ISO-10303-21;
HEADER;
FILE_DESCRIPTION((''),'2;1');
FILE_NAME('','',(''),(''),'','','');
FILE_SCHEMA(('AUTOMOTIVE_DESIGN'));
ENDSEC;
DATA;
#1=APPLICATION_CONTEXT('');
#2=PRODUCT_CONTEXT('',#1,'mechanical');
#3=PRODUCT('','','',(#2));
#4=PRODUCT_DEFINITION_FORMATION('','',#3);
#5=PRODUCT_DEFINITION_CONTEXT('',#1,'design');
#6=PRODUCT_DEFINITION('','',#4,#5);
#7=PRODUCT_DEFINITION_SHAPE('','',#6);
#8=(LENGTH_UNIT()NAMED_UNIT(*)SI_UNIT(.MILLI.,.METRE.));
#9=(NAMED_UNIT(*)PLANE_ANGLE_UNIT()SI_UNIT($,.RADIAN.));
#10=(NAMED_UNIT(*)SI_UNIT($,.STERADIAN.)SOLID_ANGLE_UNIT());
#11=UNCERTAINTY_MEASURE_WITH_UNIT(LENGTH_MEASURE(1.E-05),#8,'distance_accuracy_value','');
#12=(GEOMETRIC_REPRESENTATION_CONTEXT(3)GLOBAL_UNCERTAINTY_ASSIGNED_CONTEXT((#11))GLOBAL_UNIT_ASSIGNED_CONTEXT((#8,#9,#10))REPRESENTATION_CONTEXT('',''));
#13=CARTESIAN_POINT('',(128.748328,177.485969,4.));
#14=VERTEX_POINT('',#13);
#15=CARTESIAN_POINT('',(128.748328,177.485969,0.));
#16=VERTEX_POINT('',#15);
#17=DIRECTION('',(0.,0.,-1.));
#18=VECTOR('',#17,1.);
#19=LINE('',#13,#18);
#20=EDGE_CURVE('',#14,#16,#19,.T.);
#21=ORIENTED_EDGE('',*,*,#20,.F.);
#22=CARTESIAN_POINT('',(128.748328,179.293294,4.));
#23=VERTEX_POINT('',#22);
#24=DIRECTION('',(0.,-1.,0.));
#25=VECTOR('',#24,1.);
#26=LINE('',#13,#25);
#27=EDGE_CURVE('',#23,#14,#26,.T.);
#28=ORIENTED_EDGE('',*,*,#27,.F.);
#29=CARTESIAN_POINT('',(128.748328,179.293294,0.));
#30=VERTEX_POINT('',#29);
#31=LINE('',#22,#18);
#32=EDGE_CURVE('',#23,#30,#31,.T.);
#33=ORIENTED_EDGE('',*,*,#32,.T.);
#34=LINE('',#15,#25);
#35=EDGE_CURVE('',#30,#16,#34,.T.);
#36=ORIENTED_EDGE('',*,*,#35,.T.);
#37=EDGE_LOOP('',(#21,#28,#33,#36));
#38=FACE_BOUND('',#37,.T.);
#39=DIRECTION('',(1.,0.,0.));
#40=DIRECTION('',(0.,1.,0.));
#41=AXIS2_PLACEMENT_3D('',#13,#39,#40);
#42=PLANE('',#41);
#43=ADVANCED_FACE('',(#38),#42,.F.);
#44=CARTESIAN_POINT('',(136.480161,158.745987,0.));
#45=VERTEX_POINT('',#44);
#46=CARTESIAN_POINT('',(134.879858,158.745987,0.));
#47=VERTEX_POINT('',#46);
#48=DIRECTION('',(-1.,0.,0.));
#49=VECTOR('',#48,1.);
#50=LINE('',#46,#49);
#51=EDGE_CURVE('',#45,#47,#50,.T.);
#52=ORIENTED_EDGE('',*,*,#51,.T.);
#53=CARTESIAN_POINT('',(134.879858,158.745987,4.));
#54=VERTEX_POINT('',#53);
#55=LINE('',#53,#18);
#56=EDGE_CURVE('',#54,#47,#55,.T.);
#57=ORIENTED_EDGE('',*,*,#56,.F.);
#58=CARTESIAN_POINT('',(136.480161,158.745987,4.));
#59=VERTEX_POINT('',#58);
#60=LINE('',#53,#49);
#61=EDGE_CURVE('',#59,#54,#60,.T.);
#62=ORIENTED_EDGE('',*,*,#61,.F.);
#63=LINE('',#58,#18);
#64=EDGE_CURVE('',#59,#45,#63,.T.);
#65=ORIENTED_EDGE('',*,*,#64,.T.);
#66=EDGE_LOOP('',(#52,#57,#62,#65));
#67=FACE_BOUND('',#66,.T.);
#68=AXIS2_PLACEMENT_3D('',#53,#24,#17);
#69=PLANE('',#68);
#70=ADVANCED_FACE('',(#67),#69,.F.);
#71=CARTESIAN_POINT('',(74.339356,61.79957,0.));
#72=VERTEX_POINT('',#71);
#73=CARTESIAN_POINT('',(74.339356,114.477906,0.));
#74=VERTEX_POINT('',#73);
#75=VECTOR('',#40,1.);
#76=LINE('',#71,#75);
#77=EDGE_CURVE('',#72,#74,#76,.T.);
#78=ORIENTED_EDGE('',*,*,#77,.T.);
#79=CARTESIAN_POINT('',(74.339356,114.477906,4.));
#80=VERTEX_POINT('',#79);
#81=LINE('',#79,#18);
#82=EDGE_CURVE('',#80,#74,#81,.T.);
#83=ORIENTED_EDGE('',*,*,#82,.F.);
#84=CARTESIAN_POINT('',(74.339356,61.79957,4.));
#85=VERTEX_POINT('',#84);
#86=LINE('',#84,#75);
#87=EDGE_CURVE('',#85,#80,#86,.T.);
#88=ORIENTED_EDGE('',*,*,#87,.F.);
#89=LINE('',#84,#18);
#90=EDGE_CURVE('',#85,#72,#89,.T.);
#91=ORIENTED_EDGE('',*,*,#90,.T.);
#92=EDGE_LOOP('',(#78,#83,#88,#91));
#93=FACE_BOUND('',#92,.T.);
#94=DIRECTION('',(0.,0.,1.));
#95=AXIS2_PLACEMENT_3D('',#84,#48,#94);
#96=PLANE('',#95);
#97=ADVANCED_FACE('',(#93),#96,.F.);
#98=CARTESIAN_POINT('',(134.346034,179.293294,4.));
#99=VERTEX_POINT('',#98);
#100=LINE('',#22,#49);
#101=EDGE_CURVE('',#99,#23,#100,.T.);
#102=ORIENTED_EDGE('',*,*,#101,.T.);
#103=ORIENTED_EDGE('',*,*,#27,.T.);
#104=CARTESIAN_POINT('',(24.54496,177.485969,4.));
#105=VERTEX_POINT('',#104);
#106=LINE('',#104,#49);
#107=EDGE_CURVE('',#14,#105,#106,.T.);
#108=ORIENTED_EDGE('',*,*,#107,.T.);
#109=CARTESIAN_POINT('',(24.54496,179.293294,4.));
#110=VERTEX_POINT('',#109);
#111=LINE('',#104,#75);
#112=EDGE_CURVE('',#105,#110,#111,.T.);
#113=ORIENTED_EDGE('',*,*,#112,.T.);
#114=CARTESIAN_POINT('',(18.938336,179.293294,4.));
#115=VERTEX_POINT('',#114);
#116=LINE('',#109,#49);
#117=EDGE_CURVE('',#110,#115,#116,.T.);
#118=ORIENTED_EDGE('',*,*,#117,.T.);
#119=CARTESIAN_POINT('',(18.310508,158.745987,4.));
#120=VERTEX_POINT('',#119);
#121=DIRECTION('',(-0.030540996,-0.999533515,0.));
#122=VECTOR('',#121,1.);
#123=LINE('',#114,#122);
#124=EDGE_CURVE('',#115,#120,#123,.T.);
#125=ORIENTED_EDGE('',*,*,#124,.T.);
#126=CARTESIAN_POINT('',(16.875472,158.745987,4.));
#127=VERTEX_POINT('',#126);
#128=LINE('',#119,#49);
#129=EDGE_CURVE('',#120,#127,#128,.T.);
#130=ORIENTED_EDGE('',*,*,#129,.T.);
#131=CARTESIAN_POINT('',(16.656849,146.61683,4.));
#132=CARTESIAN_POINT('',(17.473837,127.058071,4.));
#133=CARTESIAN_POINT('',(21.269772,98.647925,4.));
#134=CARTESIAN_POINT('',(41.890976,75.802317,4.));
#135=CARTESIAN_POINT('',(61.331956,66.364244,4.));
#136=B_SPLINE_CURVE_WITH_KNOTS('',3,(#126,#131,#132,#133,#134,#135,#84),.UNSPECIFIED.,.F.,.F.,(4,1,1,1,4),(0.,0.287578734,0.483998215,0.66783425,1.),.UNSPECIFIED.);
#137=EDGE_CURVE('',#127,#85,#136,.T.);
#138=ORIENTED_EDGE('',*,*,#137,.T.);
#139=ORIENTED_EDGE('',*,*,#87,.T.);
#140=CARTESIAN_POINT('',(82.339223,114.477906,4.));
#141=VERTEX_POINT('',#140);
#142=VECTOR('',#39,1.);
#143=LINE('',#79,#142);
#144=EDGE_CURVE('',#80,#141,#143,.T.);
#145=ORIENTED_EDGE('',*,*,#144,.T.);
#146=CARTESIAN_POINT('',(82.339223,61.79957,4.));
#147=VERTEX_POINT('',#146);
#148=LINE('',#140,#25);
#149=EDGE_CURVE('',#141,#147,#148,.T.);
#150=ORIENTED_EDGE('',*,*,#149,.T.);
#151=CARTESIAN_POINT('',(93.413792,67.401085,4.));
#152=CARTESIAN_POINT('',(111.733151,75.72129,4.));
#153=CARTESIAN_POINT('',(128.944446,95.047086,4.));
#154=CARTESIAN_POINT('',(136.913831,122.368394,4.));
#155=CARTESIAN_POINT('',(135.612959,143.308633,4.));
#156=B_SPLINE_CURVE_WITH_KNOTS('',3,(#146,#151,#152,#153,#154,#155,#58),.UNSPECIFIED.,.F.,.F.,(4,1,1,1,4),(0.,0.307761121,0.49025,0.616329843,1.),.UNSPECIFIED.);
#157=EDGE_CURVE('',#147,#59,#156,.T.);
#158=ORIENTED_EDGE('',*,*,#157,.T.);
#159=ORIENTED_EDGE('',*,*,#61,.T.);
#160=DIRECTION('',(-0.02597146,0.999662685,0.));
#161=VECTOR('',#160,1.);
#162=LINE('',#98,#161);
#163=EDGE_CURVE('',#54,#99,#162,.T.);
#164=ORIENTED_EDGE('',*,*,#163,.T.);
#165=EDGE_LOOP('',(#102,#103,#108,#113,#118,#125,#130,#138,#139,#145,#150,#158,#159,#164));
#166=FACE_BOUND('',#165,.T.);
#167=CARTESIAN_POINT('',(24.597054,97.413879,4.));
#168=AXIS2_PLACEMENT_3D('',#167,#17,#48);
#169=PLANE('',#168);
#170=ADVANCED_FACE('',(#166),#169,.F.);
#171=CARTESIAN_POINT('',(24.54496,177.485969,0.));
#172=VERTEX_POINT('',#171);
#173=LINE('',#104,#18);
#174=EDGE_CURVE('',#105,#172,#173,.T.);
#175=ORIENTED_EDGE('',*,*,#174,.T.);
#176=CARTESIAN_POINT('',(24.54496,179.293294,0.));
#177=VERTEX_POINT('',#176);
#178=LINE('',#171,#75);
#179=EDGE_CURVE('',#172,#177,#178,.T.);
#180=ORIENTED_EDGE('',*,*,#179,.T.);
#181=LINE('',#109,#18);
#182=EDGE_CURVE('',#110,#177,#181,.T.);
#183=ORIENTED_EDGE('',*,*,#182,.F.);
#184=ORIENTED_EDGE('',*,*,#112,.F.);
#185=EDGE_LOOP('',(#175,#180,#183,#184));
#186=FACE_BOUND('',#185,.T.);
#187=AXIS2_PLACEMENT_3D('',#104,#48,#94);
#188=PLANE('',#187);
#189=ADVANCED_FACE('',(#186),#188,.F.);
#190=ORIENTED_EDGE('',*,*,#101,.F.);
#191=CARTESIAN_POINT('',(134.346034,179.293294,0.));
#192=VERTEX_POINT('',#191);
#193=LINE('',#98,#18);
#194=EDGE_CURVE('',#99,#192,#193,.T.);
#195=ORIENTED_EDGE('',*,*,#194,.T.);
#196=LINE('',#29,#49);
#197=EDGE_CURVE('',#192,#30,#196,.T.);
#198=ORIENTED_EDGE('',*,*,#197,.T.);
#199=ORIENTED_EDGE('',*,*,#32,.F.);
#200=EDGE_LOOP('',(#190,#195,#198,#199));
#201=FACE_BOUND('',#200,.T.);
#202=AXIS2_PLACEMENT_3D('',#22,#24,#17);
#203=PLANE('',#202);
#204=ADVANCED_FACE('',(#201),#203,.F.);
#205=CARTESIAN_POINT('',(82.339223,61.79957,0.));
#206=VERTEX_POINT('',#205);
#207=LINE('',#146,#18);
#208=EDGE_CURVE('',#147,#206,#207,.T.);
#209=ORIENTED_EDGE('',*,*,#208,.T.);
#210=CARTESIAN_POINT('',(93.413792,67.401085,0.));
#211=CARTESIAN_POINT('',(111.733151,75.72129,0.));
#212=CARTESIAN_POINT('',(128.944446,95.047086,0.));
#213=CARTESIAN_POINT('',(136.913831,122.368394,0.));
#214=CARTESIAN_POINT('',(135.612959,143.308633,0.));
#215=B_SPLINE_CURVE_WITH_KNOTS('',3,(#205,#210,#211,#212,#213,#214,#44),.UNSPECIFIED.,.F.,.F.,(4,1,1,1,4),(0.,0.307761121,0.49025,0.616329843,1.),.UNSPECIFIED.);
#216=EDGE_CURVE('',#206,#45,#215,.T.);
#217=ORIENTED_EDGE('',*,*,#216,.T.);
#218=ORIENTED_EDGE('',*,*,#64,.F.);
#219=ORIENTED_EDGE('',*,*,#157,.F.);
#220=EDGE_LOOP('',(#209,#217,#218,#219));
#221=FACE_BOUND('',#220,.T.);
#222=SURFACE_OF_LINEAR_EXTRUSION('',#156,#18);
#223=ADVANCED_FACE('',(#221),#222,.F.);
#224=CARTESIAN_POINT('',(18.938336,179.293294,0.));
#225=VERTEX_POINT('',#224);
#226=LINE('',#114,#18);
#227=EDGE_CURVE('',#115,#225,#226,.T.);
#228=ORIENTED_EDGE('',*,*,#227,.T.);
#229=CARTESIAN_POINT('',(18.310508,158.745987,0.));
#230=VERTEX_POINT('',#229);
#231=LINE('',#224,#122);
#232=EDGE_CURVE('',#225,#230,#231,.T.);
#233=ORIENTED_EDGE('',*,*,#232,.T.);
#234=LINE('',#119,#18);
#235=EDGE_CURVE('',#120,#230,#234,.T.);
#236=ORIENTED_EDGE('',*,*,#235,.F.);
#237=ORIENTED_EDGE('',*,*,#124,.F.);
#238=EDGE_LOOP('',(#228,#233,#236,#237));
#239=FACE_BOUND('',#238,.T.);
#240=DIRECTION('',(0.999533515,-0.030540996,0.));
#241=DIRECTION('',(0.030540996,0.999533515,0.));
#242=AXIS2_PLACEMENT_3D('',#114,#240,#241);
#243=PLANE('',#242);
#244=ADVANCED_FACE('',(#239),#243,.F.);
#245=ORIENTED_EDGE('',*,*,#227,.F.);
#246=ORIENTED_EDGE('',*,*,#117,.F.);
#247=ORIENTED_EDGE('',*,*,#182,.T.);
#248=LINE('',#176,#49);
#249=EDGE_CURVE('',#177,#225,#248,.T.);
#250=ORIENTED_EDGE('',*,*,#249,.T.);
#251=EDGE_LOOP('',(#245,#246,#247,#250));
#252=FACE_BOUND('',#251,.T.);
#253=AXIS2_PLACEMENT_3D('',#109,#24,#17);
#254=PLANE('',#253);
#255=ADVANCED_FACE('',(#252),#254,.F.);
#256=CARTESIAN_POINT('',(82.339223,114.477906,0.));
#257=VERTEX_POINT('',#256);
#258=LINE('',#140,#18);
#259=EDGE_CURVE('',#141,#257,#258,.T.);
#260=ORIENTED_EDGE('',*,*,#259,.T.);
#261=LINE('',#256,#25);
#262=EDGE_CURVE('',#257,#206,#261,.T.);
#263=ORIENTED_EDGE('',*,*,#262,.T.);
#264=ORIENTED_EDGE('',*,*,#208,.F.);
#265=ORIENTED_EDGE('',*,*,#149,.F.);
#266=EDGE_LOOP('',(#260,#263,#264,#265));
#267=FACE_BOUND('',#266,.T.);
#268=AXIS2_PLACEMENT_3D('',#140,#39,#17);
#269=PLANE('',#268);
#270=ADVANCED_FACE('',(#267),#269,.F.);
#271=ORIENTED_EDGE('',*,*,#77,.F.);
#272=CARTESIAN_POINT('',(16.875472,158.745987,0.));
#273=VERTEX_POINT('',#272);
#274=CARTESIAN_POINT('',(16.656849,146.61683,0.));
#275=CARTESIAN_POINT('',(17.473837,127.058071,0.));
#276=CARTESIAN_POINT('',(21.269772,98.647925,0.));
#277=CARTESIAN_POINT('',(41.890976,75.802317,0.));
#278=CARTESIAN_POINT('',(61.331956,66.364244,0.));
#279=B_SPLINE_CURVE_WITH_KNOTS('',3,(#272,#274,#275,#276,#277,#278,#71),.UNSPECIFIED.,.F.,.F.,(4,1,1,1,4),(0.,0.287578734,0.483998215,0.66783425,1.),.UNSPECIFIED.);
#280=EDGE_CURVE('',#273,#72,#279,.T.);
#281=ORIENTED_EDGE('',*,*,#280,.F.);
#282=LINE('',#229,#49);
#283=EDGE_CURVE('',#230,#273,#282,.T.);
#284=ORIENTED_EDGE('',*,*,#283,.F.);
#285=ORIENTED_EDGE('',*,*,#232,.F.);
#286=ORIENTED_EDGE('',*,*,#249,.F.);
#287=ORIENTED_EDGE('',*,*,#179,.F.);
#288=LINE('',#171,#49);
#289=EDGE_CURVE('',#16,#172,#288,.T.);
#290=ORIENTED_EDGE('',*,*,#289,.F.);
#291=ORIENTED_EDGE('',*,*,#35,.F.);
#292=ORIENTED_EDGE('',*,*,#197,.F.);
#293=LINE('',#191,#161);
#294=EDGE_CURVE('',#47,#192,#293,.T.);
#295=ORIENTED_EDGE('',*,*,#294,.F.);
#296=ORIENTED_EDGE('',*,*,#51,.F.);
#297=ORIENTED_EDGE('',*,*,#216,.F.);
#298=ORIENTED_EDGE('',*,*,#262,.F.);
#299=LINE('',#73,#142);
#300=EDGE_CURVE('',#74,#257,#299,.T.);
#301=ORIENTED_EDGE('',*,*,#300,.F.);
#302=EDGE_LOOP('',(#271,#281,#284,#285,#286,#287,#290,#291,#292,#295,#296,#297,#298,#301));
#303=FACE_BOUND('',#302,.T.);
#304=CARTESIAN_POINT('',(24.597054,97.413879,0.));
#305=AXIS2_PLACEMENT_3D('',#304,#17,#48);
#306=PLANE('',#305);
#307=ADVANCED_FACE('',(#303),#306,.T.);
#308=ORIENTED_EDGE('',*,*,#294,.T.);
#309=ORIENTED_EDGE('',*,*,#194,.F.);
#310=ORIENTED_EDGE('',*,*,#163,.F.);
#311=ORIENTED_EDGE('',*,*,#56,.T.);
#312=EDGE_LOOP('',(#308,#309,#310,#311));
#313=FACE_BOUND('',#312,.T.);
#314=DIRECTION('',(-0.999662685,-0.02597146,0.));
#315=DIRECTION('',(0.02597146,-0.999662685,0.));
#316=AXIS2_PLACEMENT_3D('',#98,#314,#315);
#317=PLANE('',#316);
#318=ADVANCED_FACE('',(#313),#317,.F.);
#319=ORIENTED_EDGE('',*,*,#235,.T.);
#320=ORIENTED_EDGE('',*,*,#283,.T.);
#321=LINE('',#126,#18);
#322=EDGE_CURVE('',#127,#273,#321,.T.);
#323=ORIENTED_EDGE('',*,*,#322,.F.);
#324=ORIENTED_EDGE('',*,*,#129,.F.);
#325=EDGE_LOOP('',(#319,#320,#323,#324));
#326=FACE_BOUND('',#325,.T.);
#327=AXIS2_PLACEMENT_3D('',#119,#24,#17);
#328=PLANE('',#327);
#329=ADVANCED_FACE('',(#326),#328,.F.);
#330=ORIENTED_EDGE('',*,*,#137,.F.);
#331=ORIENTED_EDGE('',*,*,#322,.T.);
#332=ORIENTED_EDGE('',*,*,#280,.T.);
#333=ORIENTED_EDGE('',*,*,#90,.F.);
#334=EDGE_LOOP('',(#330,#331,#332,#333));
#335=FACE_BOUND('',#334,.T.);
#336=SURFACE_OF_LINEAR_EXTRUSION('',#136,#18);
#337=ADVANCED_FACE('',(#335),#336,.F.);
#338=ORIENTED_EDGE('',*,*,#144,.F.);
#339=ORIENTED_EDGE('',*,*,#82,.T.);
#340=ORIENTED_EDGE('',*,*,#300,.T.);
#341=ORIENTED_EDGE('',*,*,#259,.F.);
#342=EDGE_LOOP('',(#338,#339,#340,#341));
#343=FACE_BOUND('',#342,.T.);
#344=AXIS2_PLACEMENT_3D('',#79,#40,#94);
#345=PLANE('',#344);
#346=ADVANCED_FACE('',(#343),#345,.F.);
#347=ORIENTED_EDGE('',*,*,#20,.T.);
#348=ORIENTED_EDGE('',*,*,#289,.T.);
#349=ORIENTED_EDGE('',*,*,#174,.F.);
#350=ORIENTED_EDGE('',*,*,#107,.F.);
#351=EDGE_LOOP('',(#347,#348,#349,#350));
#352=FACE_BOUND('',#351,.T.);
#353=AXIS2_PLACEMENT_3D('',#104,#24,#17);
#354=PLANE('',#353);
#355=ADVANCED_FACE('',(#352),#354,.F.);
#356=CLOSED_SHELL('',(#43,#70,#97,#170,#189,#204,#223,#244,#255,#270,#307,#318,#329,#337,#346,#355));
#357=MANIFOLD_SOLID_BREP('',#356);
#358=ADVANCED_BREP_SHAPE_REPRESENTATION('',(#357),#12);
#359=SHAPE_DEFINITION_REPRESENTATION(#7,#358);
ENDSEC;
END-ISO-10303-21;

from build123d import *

# Parameters (mm, degrees)
EXTRUDE_1_DEPTH = 4


with BuildPart() as part:
    # 草图1 → 凸台-拉伸1 (new body)
    with BuildSketch(Plane.XY):
        with BuildLine():
            Line((24.544959995, 177.485969069), (128.748328158, 177.485969069))
            Line((128.748328158, 177.485969069), (128.748328158, 179.293294419))
            Line((128.748328158, 179.293294419), (134.346034298, 179.293294419))
            Line((134.346034298, 179.293294419), (134.879857933, 158.745986921))
            Line((134.879857933, 158.745986921), (136.480161375, 158.745986921))
            add(Edge.make_bspline(
                [(82.339222624, 61.799570381), (93.413791621, 67.40108472), (111.733151171, 75.721290264), (128.944446456, 95.047085793), (136.913830684, 122.368393715), (135.612959328, 143.308632698), (136.480161375, 158.745986921)],
                knots=[0, 0, 0, 0, 0.307761121, 0.49025, 0.616329843, 1, 1, 1, 1], degree=3))
            Line((82.339222624, 61.799570381), (82.339222624, 114.477905509))
            Line((82.339222624, 114.477905509), (74.339356348, 114.477905509))
            Line((74.339356348, 114.477905509), (74.339356348, 61.799570381))
            add(Edge.make_bspline(
                [(16.87547225, 158.745986921), (16.656848614, 146.616830277), (17.473837396, 127.05807142), (21.26977179, 98.647925224), (41.890975618, 75.802317121), (61.331956485, 66.364243686), (74.339356348, 61.799570381)],
                knots=[0, 0, 0, 0, 0.287578734, 0.483998215, 0.66783425, 1, 1, 1, 1], degree=3))
            Line((16.87547225, 158.745986921), (18.310507908, 158.745986921))
            Line((18.310507908, 158.745986921), (18.938336008, 179.293294419))
            Line((18.938336008, 179.293294419), (24.544959995, 179.293294419))
            Line((24.544959995, 179.293294419), (24.544959995, 177.485969069))
        make_face()
    extrude(amount=EXTRUDE_1_DEPTH)


solid = part.part
